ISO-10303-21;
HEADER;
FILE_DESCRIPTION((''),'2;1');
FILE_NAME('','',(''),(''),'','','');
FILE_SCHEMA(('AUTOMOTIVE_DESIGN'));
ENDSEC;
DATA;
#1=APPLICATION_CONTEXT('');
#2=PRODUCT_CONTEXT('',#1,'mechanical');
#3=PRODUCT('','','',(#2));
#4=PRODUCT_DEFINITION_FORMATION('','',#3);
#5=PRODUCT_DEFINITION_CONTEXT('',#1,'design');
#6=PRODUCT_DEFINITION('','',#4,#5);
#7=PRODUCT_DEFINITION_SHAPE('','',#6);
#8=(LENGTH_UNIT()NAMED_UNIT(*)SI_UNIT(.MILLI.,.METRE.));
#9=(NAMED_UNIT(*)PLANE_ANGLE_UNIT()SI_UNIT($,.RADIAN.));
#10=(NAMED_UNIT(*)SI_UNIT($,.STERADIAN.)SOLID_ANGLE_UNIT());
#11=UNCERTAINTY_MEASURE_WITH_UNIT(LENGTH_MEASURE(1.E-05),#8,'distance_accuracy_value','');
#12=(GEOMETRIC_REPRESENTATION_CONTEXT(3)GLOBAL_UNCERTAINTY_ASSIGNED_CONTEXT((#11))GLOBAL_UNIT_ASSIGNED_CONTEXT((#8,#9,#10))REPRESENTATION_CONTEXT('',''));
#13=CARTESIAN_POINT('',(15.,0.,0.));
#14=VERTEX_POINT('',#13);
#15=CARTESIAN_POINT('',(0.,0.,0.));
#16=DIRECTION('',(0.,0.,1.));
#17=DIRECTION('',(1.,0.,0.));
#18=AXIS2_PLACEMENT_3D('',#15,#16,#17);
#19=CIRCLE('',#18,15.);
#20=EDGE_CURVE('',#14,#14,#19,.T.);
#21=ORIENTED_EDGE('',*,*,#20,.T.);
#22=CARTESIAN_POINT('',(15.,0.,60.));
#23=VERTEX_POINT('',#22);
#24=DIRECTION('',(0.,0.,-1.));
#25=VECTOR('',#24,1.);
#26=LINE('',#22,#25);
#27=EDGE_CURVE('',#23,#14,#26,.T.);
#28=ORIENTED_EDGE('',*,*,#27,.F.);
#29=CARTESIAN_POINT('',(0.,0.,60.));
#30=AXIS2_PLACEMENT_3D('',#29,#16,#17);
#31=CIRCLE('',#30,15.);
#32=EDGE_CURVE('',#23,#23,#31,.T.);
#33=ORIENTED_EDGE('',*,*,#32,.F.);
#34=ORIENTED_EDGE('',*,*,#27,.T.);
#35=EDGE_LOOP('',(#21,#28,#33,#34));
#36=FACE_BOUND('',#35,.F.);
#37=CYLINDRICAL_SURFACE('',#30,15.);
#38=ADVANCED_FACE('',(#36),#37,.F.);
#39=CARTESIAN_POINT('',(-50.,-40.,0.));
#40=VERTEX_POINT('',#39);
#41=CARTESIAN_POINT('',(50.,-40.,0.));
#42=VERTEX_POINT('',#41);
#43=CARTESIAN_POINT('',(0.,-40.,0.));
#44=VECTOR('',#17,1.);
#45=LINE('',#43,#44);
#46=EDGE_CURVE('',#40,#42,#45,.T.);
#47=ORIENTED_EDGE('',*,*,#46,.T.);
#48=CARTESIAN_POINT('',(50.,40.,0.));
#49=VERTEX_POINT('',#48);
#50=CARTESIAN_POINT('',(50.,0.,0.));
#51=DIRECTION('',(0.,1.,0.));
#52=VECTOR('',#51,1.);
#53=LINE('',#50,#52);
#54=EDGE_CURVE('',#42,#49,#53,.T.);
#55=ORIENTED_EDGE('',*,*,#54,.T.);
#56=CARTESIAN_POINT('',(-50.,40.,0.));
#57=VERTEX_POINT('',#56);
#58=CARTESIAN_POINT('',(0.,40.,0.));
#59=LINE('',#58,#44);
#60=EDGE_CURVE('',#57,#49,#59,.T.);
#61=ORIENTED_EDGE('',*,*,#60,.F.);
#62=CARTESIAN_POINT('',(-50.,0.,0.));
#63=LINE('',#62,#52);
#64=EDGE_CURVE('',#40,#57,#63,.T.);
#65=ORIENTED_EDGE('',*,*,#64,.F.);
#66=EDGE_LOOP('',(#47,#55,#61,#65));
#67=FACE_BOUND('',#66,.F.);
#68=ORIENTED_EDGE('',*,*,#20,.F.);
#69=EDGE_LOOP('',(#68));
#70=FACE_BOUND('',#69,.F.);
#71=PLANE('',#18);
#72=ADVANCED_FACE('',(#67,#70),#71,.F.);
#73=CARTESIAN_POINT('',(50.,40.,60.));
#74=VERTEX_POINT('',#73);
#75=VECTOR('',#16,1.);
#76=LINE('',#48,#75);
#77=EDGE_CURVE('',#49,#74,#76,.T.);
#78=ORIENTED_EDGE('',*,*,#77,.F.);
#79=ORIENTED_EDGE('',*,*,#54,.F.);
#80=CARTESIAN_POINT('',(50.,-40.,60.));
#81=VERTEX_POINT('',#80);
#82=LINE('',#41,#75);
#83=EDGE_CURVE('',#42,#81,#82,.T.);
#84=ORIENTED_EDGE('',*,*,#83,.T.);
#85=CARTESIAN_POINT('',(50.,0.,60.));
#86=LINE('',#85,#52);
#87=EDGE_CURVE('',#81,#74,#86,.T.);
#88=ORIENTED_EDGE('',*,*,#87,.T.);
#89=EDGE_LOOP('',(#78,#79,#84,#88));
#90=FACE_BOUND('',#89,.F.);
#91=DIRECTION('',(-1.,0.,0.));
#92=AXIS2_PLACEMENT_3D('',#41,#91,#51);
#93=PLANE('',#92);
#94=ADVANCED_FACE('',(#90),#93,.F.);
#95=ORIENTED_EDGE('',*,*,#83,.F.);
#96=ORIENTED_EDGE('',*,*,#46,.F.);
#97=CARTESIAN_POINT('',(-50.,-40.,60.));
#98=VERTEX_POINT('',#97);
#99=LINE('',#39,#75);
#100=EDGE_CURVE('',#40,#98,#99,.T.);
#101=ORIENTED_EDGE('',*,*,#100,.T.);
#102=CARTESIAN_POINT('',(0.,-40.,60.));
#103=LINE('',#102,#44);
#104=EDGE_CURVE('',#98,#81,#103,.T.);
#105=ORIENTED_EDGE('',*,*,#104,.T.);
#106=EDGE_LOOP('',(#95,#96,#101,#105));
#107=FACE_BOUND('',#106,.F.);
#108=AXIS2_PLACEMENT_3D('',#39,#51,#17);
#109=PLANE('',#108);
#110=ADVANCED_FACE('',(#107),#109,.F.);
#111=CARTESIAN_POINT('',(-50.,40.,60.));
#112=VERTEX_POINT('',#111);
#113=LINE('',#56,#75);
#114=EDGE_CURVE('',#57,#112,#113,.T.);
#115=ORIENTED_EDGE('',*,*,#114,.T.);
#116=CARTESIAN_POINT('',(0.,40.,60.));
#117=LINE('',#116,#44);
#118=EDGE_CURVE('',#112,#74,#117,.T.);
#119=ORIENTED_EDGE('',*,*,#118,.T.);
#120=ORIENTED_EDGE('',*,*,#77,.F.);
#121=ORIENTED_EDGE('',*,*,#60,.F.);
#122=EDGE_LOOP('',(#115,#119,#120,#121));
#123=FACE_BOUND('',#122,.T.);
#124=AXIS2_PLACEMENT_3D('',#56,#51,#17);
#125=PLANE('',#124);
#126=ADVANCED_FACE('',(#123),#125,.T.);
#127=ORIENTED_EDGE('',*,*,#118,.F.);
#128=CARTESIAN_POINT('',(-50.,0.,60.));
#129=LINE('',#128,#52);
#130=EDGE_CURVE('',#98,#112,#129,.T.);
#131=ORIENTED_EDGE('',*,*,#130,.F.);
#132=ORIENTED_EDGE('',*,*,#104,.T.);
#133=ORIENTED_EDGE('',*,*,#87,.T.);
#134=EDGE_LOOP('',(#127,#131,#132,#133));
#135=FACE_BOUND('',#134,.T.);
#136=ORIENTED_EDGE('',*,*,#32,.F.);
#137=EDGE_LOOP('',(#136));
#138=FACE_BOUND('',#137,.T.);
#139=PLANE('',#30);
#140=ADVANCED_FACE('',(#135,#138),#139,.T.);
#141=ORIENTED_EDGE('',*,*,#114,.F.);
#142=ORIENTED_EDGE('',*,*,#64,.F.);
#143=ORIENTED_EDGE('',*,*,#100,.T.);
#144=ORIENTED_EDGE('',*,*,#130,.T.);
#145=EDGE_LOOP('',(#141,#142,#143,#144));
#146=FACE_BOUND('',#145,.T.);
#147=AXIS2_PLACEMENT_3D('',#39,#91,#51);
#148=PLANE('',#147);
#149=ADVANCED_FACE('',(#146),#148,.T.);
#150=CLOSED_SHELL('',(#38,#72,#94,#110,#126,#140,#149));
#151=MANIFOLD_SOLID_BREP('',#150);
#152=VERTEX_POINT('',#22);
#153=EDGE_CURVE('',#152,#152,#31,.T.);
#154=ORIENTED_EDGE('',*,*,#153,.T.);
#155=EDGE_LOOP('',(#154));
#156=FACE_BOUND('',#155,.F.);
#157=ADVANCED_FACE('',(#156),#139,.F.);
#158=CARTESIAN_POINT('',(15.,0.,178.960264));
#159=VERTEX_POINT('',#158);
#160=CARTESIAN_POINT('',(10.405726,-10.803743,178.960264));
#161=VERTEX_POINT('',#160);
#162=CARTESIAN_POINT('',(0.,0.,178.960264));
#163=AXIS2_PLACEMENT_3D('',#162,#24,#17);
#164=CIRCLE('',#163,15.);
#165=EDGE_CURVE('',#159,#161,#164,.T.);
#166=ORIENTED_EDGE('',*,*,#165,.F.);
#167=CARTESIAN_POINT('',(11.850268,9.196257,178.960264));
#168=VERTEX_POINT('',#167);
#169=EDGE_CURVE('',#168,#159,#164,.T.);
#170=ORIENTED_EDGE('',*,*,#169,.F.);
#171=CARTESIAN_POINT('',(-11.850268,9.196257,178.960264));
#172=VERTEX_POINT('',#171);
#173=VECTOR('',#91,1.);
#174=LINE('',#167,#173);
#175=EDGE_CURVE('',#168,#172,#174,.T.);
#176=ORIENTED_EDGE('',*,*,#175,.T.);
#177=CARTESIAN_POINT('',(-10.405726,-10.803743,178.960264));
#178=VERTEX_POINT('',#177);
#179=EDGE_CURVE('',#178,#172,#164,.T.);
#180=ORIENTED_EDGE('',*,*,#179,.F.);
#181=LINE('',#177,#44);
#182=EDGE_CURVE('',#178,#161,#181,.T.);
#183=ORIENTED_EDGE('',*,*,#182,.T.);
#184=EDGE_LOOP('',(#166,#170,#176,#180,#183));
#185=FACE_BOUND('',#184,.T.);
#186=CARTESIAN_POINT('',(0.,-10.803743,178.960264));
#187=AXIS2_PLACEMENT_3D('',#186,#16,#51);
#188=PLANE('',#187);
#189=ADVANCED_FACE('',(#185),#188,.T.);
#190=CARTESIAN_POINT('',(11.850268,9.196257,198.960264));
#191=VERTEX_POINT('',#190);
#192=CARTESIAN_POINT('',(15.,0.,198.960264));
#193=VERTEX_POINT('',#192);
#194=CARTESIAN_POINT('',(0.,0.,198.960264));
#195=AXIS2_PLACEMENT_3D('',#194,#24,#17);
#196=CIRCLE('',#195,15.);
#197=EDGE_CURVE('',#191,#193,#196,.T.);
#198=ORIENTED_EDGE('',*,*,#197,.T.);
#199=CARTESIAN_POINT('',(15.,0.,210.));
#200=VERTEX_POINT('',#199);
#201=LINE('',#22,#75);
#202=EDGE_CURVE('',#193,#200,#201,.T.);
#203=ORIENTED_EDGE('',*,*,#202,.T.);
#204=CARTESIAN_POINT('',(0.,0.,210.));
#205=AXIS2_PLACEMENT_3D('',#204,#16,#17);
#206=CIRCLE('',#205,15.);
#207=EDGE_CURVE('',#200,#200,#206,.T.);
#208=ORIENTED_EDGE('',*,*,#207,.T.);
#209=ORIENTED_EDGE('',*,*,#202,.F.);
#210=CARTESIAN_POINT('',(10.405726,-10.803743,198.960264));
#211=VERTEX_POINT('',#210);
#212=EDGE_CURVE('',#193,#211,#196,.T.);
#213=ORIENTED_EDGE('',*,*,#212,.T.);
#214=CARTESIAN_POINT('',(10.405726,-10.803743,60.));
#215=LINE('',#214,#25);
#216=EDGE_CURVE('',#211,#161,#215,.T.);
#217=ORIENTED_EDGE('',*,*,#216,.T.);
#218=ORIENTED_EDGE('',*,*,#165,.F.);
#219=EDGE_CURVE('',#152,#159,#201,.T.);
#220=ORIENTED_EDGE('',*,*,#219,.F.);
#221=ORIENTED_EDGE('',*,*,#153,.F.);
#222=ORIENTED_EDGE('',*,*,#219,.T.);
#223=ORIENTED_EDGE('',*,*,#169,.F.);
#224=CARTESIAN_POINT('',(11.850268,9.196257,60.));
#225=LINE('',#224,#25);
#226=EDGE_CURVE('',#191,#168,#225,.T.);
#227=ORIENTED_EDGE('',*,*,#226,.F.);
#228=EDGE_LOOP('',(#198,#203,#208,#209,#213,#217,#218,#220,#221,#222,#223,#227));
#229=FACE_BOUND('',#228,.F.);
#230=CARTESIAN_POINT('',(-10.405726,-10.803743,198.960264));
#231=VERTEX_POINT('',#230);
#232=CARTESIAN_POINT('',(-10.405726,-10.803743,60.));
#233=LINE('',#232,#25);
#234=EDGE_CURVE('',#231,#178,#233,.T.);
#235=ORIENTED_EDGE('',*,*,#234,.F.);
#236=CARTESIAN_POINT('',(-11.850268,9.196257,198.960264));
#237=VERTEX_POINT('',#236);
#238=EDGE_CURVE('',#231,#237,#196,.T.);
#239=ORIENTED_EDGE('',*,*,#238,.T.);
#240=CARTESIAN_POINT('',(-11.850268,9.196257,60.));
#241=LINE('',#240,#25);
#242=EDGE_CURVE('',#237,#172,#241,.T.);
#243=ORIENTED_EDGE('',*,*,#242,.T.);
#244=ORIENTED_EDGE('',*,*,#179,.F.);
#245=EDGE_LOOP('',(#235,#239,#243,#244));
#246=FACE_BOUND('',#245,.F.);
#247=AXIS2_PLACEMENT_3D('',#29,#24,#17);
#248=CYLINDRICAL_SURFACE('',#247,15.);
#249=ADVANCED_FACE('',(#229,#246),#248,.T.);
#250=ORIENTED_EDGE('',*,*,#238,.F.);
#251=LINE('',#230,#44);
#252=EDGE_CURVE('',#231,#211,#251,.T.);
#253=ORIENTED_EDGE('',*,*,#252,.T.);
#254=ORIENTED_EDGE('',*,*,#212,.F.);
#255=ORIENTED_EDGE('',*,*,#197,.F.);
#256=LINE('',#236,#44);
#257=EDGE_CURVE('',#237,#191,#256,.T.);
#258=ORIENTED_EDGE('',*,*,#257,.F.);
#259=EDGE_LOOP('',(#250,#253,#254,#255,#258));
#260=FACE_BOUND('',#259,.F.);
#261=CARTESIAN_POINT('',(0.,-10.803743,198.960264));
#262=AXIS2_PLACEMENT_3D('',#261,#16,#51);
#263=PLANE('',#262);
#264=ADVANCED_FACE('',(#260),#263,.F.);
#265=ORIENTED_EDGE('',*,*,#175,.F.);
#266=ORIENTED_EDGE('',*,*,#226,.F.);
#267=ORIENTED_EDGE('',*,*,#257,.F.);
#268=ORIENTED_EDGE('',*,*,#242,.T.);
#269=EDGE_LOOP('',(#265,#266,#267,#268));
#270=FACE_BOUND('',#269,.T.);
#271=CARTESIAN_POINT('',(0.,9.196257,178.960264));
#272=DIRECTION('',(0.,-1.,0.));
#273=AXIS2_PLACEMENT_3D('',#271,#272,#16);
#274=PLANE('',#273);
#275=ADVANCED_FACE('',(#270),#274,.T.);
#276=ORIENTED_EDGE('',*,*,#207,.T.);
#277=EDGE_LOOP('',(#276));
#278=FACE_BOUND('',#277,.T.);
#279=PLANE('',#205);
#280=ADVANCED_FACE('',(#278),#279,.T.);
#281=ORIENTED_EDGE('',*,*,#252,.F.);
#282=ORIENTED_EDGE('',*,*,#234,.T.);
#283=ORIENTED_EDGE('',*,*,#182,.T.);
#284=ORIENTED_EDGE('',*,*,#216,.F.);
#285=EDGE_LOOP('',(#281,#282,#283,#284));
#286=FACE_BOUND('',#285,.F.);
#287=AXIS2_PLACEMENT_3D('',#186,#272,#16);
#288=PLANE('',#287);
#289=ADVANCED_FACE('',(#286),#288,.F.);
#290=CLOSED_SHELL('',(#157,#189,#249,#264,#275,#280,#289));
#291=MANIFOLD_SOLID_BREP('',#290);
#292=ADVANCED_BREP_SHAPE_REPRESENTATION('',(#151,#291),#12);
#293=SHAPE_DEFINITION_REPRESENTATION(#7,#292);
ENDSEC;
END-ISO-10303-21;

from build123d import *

# Parameters (mm, degrees)
F0_W          = 100
F0_H          = 80
F1_DEPTH      = 60
F2_R          = 15
F3_DEPTH      = 60
F4_R          = 15
F5_DEPTH      = 150
F6_W          = 20
F6_H          = 20
F7_DEPTH      = 25
F7_DEPTH_BACK = 25


with BuildPart() as f1:
    # F0 (on Top) → F1 (new body)
    with BuildSketch(Plane.XY):
        Rectangle(F0_W, F0_H)
    extrude(amount=F1_DEPTH)

    # F2 (on face) → F3 (cut, through all)
    with BuildSketch(Plane.XY.offset(60)):
        Circle(F2_R)
    extrude(amount=-F3_DEPTH, mode=Mode.SUBTRACT)


with BuildPart() as f5:
    # F4 (on face) → F5 (new body)
    with BuildSketch(Plane.XY.offset(60)):
        Circle(F4_R)
    extrude(amount=F5_DEPTH)

    # F6 (on Right) → F7 (cut, two sides)
    with BuildSketch(Plane.YZ) as f7_sk:
        with Locations((-0.8037427813, 188.9602637291)):
            Rectangle(F6_W, F6_H)
    extrude(amount=-F7_DEPTH, mode=Mode.SUBTRACT)
    extrude(f7_sk.sketch, amount=F7_DEPTH_BACK, mode=Mode.SUBTRACT)


solid = Compound([f1.part, f5.part])
